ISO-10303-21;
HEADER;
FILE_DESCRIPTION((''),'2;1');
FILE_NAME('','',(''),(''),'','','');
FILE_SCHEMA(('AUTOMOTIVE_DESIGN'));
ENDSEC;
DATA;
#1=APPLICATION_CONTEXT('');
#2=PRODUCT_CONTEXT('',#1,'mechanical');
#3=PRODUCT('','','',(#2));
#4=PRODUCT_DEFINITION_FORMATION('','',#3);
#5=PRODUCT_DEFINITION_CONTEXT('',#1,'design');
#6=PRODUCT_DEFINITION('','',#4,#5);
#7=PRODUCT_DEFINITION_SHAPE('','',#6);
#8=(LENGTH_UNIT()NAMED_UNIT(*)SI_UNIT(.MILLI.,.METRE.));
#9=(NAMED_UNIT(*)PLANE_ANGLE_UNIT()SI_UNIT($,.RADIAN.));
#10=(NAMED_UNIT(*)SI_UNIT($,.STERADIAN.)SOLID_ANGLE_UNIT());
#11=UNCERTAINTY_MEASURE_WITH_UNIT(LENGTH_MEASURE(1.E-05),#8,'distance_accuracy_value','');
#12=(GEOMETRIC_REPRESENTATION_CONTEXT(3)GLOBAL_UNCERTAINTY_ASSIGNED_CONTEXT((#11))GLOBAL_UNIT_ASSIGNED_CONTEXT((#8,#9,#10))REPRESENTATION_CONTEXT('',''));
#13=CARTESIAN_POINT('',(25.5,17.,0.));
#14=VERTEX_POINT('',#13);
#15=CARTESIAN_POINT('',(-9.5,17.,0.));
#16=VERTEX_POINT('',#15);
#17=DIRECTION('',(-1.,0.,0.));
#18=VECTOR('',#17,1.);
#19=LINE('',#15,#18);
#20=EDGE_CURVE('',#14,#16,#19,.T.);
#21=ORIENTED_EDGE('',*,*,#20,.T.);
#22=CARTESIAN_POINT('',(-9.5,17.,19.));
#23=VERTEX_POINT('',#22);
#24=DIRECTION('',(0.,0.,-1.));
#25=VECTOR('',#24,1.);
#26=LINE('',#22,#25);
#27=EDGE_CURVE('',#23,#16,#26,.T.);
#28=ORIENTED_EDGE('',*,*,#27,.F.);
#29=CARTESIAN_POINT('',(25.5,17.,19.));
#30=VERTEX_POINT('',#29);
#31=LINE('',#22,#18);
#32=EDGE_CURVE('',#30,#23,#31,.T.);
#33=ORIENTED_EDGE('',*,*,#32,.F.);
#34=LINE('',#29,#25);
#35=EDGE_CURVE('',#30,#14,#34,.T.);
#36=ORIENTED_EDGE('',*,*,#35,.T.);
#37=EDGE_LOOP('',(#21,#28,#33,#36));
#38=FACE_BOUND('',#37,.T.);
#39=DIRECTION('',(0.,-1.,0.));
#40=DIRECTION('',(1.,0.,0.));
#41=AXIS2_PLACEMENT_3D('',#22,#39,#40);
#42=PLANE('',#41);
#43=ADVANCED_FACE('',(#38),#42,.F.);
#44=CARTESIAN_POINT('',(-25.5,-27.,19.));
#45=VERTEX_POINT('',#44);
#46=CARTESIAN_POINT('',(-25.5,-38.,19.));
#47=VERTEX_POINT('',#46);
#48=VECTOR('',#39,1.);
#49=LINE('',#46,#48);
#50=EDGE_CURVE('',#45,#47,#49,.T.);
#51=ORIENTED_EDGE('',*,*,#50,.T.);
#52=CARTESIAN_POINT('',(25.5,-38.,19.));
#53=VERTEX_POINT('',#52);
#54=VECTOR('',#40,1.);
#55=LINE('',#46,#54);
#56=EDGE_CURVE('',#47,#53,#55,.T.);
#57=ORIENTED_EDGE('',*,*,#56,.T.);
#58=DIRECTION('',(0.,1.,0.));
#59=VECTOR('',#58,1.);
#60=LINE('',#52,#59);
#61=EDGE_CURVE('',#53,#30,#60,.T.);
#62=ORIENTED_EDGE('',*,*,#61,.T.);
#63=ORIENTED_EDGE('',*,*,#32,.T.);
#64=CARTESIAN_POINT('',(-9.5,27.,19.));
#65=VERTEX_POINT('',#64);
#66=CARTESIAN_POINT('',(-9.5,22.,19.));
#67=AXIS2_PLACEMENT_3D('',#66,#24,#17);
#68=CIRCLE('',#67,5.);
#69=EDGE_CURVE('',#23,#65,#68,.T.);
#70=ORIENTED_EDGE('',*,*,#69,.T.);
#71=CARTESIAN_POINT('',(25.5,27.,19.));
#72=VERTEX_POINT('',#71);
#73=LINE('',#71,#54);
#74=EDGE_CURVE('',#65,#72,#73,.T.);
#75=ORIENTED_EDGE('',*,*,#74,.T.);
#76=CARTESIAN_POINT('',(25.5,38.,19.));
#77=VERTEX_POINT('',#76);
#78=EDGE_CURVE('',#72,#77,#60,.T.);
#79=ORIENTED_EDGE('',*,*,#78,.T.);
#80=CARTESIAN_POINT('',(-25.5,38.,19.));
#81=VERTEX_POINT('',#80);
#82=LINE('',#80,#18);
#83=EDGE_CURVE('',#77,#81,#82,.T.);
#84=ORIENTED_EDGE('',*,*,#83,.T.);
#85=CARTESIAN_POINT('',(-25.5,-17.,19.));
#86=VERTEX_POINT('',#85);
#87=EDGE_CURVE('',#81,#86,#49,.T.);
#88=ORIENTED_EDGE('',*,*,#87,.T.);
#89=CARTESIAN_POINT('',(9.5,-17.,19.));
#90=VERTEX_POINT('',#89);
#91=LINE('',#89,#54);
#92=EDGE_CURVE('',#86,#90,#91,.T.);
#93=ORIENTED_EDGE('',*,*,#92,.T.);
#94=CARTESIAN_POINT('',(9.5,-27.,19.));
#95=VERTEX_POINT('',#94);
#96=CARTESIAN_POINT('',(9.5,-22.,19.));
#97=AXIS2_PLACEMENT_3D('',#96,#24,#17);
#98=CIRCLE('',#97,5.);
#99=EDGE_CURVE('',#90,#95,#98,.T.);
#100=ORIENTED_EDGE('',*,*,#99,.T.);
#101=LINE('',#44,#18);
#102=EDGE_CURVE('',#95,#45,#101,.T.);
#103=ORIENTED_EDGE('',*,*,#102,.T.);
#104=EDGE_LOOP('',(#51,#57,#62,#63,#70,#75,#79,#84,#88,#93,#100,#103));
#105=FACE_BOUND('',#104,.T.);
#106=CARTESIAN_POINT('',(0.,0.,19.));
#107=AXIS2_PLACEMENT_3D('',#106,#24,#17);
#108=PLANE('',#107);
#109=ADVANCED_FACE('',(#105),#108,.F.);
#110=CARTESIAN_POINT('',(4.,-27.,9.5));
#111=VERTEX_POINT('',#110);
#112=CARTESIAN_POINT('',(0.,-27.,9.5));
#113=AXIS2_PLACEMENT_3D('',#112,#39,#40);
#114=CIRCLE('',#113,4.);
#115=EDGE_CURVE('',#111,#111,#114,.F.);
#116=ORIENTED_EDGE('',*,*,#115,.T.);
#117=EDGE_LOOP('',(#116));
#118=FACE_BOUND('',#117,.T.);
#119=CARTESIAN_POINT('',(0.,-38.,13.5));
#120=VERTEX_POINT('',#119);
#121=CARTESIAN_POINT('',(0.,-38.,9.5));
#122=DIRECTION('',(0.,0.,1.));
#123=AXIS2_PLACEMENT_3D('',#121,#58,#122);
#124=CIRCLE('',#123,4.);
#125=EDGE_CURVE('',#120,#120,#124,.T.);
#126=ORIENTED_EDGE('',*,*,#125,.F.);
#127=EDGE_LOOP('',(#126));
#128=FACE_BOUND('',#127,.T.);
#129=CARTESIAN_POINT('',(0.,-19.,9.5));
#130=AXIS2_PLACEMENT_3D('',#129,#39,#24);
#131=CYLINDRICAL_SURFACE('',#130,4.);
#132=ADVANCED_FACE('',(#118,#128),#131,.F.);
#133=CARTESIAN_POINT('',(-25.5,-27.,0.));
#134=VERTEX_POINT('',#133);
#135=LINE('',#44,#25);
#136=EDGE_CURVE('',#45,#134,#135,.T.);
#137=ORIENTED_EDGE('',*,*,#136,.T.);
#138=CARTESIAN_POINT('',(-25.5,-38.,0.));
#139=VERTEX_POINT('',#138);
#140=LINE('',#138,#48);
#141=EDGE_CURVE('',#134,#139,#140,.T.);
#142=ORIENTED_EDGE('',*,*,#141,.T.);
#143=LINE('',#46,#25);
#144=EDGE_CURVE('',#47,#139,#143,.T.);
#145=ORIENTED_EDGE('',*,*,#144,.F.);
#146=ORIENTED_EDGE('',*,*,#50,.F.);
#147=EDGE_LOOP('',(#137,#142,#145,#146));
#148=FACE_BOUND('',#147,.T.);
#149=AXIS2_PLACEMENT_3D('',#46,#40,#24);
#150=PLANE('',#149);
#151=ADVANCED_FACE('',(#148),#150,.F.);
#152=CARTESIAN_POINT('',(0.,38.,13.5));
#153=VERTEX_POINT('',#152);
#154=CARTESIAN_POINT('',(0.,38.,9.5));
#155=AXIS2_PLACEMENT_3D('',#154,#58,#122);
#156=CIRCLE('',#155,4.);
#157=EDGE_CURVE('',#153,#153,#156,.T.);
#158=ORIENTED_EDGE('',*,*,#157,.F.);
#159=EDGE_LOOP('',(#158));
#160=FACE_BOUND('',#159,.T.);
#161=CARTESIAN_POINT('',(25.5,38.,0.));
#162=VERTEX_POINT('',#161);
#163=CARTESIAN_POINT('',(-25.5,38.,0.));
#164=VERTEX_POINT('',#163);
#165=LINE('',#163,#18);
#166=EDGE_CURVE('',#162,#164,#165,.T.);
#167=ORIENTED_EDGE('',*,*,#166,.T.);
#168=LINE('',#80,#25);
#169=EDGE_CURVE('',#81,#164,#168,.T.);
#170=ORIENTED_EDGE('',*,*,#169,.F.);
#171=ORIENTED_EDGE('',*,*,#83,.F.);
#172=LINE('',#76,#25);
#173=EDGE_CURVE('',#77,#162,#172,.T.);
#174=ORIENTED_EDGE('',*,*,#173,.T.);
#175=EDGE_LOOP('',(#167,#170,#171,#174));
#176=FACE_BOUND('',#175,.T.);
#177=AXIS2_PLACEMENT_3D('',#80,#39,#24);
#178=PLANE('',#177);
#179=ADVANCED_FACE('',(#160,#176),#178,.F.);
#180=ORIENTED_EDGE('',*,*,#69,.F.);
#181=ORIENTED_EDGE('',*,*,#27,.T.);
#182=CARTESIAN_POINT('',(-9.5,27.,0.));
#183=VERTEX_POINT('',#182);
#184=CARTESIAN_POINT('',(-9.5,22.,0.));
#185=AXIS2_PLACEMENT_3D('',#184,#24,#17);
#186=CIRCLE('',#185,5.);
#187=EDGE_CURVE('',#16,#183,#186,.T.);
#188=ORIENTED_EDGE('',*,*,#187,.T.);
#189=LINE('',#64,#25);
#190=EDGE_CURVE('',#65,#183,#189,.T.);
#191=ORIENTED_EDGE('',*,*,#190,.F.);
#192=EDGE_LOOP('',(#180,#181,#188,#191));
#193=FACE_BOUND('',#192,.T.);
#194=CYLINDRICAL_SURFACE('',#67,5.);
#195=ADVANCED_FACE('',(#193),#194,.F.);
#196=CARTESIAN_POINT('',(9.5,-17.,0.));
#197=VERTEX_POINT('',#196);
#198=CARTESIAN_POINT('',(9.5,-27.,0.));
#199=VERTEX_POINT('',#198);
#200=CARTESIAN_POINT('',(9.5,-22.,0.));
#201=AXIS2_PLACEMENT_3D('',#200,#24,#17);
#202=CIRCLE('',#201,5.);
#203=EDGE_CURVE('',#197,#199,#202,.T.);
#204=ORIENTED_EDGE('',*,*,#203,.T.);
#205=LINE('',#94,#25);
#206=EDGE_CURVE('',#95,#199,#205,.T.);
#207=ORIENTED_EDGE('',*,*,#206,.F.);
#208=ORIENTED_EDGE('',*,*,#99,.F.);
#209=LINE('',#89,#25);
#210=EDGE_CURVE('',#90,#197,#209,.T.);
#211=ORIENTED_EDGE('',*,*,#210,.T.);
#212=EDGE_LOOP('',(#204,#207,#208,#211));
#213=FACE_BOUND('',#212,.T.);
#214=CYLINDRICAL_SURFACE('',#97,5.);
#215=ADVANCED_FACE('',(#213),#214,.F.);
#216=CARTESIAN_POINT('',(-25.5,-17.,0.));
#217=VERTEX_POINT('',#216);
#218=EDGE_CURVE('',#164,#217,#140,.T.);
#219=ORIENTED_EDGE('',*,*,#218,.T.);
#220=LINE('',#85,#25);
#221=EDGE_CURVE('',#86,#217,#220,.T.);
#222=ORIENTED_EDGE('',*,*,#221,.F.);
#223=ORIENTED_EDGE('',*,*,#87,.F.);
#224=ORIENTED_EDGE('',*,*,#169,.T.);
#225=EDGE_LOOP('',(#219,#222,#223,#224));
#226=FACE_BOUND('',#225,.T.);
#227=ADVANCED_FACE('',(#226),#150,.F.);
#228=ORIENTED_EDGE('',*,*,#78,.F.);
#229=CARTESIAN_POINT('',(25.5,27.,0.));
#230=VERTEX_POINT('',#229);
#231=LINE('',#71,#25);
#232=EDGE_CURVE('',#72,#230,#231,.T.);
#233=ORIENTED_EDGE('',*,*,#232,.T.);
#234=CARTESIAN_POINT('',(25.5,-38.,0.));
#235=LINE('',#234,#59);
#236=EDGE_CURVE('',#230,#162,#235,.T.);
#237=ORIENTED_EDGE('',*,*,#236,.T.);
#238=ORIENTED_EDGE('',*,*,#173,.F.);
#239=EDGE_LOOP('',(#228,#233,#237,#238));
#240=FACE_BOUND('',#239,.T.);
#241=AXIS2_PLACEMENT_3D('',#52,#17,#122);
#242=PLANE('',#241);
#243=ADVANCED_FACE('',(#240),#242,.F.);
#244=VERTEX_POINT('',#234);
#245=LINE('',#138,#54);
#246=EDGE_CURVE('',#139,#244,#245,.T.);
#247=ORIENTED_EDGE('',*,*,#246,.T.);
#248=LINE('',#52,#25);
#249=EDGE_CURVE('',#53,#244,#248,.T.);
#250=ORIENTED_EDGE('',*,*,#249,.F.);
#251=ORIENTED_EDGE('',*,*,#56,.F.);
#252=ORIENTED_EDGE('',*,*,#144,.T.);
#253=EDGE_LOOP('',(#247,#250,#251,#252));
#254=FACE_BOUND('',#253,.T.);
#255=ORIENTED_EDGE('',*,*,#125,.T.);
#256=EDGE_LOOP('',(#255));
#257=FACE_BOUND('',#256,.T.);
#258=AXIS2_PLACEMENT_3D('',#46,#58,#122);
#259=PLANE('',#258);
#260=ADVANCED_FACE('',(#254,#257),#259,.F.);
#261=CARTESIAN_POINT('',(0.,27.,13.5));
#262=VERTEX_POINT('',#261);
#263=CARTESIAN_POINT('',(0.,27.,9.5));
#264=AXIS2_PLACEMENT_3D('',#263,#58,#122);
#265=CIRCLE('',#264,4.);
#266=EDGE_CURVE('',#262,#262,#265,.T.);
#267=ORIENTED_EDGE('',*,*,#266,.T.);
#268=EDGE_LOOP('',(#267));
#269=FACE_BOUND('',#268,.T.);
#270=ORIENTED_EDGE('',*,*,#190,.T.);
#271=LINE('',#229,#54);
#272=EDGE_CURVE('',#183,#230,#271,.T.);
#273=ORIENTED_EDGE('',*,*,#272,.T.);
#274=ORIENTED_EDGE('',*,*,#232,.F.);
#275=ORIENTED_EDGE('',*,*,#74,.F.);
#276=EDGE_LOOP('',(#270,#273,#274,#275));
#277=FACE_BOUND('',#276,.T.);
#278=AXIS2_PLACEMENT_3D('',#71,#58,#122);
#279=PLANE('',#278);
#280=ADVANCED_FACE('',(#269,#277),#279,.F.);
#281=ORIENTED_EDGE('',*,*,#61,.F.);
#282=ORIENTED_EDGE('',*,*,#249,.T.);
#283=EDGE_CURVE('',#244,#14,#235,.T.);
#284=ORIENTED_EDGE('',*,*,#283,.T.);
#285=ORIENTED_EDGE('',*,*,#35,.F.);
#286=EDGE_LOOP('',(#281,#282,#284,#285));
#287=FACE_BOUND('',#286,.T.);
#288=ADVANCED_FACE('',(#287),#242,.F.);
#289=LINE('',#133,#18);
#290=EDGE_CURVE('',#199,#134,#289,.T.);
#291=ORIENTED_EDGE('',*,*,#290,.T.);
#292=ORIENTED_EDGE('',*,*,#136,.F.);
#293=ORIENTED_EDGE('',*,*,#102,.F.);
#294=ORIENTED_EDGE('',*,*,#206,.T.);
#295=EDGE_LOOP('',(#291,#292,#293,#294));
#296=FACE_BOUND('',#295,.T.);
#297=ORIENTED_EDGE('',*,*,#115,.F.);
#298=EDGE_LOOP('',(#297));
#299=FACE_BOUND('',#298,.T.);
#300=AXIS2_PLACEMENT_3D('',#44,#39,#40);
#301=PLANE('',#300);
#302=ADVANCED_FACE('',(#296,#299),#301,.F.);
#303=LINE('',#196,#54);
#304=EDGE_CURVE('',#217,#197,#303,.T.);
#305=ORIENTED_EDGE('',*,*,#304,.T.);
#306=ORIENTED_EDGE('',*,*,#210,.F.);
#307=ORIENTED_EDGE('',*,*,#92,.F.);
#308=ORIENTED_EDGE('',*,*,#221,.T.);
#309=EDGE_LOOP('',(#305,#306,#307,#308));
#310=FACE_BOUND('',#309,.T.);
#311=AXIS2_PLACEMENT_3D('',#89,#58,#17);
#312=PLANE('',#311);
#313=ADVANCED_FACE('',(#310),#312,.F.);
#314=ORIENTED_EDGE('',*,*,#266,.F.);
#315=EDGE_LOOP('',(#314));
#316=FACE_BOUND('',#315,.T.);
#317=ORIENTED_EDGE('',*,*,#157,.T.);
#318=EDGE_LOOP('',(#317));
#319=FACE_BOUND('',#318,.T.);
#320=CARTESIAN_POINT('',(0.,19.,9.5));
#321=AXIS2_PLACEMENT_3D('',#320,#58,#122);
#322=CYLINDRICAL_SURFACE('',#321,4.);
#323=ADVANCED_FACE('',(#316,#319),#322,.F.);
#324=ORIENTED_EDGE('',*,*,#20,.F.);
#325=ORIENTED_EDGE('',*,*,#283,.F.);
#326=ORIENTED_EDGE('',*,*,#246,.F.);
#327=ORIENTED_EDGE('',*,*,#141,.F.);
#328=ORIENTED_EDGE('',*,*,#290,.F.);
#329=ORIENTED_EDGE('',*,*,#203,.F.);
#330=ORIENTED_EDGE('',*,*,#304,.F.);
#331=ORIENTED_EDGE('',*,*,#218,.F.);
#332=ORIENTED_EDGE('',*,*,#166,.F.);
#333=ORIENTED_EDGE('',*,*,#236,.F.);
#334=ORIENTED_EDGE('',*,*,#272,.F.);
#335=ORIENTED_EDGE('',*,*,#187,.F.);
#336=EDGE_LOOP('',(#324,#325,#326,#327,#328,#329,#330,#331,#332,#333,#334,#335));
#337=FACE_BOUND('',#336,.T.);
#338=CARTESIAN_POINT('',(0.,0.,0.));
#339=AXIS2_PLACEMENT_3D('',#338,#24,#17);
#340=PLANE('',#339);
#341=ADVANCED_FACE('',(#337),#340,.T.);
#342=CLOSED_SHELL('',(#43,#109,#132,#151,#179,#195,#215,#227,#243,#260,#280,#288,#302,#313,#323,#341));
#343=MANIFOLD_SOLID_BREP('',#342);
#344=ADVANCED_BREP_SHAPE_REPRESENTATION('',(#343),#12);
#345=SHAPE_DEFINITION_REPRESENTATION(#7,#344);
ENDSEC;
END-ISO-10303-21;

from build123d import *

# Parameters (mm, degrees)
SKETCH_1_W          = 51
SKETCH_1_H          = 76
EXTRUDE_1_DEPTH     = 19
CUT_EXTRUDE_2_DEPTH = 50.550479312
SKETCH_2_R          = 4
CUT_EXTRUDE_1_DEPTH = 19


with BuildPart() as part:
    # 草图1 → 凸台-拉伸1 (new body)
    with BuildSketch(Plane.XY):
        Rectangle(SKETCH_1_W, SKETCH_1_H)
    extrude(amount=EXTRUDE_1_DEPTH)

    # 草图3 → 切除-拉伸2 (cut, through all)
    with BuildSketch(Plane(origin=(0, 0, 0), x_dir=(-1, 0, 0), z_dir=(0, 0, -1))):
        with BuildLine():
            Line((-25.5, 27), (9.5, 27))
            ThreePointArc((9.5, 27), (14.5, 22), (9.5, 17))
            Line((9.5, 17), (-25.5, 17))
            Line((-25.5, 17), (-25.5, 27))
        make_face()
        with BuildLine():
            Line((25.5, -27), (-9.5, -27))
            ThreePointArc((-9.5, -27), (-14.5, -22), (-9.5, -17))
            Line((-9.5, -17), (25.5, -17))
            Line((25.5, -17), (25.5, -27))
        make_face()
    extrude(amount=-CUT_EXTRUDE_2_DEPTH, mode=Mode.SUBTRACT)

    # 草图2 → 切除-拉伸1 (cut)
    with BuildSketch(Plane(origin=(0, 38, 0), x_dir=(1, 0, 0), z_dir=(0, 1, 0))):
        with Locations(Location((0, -9.5, 0), (0, 0, 270))):
            Circle(SKETCH_2_R)
    cut_extrude_1 = extrude(amount=-CUT_EXTRUDE_1_DEPTH, mode=Mode.SUBTRACT)

    # 镜向1: 切除-拉伸1 across plane
    add(cut_extrude_1.mirror(Plane.ZX), mode=Mode.SUBTRACT)


solid = part.part
